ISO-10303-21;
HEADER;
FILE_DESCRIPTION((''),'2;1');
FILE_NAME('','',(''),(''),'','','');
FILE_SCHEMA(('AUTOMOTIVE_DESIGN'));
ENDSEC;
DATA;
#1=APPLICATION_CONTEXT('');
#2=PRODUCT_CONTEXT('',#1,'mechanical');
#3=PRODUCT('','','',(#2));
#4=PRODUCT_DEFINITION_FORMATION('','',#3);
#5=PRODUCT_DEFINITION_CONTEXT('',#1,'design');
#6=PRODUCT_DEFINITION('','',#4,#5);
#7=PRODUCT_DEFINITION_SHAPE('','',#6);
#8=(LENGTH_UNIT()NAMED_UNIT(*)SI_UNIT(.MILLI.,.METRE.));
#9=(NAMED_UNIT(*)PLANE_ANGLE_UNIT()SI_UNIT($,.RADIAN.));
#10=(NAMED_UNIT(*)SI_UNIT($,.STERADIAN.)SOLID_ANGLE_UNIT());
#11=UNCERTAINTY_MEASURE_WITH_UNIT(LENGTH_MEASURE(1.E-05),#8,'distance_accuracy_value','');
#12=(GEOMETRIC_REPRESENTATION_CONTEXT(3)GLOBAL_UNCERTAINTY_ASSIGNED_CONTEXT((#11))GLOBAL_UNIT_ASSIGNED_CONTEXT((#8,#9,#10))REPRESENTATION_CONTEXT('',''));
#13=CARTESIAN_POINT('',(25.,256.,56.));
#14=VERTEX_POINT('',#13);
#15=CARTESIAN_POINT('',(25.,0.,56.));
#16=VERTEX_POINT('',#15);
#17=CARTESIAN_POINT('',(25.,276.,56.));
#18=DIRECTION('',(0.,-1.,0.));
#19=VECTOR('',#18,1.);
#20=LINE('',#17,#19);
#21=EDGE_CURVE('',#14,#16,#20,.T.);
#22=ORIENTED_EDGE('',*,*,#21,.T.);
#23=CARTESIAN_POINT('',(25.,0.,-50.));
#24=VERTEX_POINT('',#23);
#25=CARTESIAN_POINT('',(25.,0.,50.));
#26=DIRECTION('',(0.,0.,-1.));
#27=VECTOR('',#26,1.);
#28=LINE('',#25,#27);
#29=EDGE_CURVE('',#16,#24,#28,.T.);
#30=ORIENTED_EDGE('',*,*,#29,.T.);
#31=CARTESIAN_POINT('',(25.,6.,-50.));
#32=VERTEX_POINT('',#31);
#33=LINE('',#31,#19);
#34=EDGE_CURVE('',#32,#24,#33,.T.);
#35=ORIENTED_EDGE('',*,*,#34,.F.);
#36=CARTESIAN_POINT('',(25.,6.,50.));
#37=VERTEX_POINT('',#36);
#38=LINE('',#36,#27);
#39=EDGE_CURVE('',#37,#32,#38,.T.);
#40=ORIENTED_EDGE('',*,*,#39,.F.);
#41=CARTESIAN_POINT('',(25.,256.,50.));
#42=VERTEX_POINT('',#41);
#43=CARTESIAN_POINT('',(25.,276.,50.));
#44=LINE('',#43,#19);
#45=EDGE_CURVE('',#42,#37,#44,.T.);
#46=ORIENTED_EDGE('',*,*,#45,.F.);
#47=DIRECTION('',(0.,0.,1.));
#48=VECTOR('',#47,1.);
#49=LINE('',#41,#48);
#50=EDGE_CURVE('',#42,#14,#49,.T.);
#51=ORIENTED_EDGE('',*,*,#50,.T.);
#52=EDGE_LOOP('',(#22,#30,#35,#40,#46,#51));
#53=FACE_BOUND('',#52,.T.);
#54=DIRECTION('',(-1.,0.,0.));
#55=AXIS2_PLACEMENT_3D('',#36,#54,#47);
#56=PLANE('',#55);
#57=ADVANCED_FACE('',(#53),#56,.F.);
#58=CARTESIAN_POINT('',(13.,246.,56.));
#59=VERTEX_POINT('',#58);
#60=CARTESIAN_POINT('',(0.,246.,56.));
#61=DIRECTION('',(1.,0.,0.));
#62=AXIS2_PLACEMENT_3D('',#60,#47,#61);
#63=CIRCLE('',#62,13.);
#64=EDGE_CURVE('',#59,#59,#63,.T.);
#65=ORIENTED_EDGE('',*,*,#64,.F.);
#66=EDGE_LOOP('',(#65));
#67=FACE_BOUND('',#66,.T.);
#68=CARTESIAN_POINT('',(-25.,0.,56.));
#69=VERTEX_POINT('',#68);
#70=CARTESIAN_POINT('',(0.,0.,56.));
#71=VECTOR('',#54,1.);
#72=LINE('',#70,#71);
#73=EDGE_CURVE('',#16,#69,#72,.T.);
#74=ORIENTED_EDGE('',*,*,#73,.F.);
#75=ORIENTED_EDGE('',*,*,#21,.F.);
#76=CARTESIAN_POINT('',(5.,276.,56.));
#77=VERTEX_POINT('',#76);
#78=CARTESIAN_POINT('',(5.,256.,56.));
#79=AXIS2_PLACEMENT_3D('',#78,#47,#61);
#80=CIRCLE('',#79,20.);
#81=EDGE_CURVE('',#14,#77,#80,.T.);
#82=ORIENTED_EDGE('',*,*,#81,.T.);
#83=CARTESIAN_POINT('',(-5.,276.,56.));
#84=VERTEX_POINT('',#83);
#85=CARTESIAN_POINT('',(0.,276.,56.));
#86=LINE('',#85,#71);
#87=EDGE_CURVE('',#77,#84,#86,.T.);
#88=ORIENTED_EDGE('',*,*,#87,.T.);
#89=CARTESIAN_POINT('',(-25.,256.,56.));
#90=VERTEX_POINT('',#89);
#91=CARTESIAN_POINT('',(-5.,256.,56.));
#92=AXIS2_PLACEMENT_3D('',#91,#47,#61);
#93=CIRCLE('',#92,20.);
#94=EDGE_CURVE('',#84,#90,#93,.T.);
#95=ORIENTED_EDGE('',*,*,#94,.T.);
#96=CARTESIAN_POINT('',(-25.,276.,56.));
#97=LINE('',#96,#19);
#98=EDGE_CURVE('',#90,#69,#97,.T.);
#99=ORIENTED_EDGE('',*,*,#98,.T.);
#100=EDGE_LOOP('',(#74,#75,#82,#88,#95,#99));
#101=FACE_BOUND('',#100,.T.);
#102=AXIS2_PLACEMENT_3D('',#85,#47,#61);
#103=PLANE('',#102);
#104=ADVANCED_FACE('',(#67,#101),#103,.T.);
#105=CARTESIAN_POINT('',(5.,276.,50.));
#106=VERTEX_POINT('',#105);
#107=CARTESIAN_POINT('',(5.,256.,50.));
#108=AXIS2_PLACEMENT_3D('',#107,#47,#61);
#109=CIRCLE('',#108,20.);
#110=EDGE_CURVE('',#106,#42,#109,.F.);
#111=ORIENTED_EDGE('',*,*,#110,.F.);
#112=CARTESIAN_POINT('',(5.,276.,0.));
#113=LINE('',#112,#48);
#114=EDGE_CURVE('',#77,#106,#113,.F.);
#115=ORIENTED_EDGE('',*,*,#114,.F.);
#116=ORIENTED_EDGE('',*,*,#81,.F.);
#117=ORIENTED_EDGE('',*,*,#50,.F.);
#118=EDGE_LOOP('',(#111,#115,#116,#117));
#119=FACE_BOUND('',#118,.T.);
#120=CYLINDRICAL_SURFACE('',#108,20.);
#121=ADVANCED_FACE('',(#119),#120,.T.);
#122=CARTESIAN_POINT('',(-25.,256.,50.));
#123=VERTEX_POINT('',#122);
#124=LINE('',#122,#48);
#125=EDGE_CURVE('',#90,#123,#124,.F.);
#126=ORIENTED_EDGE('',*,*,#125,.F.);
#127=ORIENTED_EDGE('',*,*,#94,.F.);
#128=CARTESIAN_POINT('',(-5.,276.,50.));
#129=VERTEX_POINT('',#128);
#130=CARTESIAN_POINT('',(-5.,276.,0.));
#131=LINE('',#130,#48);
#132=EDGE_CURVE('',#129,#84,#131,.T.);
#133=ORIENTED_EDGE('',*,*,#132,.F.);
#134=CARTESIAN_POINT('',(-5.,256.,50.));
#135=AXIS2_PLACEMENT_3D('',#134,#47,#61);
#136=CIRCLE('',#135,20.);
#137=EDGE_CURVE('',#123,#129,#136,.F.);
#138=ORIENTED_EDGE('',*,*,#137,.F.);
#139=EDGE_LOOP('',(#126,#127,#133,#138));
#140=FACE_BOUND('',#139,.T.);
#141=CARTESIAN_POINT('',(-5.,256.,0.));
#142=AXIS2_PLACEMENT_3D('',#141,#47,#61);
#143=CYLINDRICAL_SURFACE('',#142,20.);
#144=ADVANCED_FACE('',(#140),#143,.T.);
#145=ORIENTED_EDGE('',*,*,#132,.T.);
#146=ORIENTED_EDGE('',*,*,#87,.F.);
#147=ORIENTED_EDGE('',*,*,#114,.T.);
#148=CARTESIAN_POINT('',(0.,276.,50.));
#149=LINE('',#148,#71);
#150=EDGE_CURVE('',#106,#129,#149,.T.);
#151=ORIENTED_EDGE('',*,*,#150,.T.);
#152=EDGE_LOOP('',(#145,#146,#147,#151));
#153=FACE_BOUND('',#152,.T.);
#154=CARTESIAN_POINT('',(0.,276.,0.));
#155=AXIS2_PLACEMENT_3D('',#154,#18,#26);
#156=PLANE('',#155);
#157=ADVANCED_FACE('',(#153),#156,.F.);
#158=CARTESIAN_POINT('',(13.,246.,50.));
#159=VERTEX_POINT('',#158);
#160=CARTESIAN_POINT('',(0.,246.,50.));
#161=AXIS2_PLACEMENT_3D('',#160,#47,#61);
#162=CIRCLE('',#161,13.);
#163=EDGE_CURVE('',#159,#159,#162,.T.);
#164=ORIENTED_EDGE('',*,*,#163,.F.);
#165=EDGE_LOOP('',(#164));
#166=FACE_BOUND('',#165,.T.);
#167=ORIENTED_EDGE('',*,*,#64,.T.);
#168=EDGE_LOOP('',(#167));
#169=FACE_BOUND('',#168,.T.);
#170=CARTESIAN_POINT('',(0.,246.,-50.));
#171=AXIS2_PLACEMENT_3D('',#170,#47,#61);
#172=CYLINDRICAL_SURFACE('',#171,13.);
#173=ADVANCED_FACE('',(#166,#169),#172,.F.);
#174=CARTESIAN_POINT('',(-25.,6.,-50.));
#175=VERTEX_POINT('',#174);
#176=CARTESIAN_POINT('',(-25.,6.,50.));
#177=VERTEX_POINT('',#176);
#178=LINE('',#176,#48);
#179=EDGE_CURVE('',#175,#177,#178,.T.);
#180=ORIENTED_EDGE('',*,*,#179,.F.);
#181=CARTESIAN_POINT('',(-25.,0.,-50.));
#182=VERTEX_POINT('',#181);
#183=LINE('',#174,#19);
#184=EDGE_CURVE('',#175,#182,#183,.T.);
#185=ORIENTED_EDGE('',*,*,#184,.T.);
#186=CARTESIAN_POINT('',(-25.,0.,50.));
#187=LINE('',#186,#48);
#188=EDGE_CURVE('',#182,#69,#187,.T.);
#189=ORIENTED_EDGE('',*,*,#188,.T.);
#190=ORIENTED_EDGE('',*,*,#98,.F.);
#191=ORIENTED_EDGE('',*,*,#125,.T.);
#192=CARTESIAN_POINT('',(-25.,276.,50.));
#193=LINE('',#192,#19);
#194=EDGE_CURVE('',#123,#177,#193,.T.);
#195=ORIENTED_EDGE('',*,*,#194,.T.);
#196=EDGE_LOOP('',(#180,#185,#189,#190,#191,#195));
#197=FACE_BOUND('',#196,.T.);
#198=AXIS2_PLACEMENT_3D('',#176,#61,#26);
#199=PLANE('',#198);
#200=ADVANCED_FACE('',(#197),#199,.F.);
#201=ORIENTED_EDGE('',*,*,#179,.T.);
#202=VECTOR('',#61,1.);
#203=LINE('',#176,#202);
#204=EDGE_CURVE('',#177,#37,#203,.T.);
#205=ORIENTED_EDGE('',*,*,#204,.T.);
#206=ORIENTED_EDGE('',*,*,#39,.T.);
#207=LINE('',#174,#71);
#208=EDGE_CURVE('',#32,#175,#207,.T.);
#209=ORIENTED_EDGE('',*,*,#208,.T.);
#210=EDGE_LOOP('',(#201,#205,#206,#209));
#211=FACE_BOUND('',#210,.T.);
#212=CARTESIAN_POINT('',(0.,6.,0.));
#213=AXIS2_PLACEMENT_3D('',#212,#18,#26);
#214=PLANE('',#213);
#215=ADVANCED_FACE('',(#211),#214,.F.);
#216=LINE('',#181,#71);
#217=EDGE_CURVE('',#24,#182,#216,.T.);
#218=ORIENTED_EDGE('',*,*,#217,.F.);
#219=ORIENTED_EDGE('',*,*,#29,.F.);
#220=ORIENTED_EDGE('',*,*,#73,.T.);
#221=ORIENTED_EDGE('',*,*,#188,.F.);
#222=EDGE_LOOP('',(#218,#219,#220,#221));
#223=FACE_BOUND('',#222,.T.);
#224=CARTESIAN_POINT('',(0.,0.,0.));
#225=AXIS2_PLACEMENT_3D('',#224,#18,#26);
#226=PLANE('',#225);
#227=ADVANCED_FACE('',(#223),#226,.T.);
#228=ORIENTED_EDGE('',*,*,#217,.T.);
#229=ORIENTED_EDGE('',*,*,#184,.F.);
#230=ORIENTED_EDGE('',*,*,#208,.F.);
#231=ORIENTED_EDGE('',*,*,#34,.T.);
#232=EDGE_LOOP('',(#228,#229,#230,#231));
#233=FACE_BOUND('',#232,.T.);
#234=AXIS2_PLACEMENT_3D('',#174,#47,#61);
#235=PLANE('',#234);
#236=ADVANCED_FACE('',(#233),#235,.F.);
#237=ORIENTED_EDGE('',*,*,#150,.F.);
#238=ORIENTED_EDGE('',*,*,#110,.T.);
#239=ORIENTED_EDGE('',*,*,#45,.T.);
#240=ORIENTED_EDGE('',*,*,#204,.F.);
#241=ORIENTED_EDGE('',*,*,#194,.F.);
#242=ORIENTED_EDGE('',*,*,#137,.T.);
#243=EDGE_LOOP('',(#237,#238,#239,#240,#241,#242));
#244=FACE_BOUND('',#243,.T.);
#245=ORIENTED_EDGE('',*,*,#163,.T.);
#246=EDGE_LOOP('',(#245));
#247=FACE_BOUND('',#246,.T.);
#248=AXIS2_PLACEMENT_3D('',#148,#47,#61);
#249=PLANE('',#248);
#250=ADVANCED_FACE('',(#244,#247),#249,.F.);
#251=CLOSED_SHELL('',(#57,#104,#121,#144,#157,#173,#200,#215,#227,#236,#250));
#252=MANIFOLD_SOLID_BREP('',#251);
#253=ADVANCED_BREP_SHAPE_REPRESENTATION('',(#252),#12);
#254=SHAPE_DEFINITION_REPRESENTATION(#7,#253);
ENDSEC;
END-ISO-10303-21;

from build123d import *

# Parameters (mm, degrees)
CROQUIS1_W              = 50
CROQUIS1_H              = 100
SALIENTE_EXTRUIR1_DEPTH = 6
CROQUIS2_W              = 50
CROQUIS2_H              = 6
SALIENTE_EXTRUIR2_DEPTH = 276
CROQUIS3_R              = 13
CORTAR_EXTRUIR1_DEPTH   = 6
REDONDEO1_R             = 20


with BuildPart() as part:
    # Croquis1 → Saliente-Extruir1 (new body)
    with BuildSketch(Plane(origin=(0, 0, 0), x_dir=(1, 0, 0), z_dir=(0, 1, 0))):
        Rectangle(CROQUIS1_W, CROQUIS1_H)
    extrude(amount=SALIENTE_EXTRUIR1_DEPTH)

    # Croquis2 → Saliente-Extruir2 (add)
    with BuildSketch(Plane.XZ):
        with Locations((0, 53)):
            Rectangle(CROQUIS2_W, CROQUIS2_H)
    extrude(amount=-SALIENTE_EXTRUIR2_DEPTH)

    # Croquis3 → Cortar-Extruir1 (cut)
    with BuildSketch(Plane.XY.offset(56)):
        with Locations((0, 246)):
            Circle(CROQUIS3_R)
    extrude(amount=-CORTAR_EXTRUIR1_DEPTH, mode=Mode.SUBTRACT)

    # Redondeo1
    redondeo1_edges = [part.edges().sort_by_distance(p)[0] for p in [
        (25, 276, 53),
        (-25, 276, 53),
    ]]
    fillet(redondeo1_edges, radius=REDONDEO1_R)


solid = part.part
